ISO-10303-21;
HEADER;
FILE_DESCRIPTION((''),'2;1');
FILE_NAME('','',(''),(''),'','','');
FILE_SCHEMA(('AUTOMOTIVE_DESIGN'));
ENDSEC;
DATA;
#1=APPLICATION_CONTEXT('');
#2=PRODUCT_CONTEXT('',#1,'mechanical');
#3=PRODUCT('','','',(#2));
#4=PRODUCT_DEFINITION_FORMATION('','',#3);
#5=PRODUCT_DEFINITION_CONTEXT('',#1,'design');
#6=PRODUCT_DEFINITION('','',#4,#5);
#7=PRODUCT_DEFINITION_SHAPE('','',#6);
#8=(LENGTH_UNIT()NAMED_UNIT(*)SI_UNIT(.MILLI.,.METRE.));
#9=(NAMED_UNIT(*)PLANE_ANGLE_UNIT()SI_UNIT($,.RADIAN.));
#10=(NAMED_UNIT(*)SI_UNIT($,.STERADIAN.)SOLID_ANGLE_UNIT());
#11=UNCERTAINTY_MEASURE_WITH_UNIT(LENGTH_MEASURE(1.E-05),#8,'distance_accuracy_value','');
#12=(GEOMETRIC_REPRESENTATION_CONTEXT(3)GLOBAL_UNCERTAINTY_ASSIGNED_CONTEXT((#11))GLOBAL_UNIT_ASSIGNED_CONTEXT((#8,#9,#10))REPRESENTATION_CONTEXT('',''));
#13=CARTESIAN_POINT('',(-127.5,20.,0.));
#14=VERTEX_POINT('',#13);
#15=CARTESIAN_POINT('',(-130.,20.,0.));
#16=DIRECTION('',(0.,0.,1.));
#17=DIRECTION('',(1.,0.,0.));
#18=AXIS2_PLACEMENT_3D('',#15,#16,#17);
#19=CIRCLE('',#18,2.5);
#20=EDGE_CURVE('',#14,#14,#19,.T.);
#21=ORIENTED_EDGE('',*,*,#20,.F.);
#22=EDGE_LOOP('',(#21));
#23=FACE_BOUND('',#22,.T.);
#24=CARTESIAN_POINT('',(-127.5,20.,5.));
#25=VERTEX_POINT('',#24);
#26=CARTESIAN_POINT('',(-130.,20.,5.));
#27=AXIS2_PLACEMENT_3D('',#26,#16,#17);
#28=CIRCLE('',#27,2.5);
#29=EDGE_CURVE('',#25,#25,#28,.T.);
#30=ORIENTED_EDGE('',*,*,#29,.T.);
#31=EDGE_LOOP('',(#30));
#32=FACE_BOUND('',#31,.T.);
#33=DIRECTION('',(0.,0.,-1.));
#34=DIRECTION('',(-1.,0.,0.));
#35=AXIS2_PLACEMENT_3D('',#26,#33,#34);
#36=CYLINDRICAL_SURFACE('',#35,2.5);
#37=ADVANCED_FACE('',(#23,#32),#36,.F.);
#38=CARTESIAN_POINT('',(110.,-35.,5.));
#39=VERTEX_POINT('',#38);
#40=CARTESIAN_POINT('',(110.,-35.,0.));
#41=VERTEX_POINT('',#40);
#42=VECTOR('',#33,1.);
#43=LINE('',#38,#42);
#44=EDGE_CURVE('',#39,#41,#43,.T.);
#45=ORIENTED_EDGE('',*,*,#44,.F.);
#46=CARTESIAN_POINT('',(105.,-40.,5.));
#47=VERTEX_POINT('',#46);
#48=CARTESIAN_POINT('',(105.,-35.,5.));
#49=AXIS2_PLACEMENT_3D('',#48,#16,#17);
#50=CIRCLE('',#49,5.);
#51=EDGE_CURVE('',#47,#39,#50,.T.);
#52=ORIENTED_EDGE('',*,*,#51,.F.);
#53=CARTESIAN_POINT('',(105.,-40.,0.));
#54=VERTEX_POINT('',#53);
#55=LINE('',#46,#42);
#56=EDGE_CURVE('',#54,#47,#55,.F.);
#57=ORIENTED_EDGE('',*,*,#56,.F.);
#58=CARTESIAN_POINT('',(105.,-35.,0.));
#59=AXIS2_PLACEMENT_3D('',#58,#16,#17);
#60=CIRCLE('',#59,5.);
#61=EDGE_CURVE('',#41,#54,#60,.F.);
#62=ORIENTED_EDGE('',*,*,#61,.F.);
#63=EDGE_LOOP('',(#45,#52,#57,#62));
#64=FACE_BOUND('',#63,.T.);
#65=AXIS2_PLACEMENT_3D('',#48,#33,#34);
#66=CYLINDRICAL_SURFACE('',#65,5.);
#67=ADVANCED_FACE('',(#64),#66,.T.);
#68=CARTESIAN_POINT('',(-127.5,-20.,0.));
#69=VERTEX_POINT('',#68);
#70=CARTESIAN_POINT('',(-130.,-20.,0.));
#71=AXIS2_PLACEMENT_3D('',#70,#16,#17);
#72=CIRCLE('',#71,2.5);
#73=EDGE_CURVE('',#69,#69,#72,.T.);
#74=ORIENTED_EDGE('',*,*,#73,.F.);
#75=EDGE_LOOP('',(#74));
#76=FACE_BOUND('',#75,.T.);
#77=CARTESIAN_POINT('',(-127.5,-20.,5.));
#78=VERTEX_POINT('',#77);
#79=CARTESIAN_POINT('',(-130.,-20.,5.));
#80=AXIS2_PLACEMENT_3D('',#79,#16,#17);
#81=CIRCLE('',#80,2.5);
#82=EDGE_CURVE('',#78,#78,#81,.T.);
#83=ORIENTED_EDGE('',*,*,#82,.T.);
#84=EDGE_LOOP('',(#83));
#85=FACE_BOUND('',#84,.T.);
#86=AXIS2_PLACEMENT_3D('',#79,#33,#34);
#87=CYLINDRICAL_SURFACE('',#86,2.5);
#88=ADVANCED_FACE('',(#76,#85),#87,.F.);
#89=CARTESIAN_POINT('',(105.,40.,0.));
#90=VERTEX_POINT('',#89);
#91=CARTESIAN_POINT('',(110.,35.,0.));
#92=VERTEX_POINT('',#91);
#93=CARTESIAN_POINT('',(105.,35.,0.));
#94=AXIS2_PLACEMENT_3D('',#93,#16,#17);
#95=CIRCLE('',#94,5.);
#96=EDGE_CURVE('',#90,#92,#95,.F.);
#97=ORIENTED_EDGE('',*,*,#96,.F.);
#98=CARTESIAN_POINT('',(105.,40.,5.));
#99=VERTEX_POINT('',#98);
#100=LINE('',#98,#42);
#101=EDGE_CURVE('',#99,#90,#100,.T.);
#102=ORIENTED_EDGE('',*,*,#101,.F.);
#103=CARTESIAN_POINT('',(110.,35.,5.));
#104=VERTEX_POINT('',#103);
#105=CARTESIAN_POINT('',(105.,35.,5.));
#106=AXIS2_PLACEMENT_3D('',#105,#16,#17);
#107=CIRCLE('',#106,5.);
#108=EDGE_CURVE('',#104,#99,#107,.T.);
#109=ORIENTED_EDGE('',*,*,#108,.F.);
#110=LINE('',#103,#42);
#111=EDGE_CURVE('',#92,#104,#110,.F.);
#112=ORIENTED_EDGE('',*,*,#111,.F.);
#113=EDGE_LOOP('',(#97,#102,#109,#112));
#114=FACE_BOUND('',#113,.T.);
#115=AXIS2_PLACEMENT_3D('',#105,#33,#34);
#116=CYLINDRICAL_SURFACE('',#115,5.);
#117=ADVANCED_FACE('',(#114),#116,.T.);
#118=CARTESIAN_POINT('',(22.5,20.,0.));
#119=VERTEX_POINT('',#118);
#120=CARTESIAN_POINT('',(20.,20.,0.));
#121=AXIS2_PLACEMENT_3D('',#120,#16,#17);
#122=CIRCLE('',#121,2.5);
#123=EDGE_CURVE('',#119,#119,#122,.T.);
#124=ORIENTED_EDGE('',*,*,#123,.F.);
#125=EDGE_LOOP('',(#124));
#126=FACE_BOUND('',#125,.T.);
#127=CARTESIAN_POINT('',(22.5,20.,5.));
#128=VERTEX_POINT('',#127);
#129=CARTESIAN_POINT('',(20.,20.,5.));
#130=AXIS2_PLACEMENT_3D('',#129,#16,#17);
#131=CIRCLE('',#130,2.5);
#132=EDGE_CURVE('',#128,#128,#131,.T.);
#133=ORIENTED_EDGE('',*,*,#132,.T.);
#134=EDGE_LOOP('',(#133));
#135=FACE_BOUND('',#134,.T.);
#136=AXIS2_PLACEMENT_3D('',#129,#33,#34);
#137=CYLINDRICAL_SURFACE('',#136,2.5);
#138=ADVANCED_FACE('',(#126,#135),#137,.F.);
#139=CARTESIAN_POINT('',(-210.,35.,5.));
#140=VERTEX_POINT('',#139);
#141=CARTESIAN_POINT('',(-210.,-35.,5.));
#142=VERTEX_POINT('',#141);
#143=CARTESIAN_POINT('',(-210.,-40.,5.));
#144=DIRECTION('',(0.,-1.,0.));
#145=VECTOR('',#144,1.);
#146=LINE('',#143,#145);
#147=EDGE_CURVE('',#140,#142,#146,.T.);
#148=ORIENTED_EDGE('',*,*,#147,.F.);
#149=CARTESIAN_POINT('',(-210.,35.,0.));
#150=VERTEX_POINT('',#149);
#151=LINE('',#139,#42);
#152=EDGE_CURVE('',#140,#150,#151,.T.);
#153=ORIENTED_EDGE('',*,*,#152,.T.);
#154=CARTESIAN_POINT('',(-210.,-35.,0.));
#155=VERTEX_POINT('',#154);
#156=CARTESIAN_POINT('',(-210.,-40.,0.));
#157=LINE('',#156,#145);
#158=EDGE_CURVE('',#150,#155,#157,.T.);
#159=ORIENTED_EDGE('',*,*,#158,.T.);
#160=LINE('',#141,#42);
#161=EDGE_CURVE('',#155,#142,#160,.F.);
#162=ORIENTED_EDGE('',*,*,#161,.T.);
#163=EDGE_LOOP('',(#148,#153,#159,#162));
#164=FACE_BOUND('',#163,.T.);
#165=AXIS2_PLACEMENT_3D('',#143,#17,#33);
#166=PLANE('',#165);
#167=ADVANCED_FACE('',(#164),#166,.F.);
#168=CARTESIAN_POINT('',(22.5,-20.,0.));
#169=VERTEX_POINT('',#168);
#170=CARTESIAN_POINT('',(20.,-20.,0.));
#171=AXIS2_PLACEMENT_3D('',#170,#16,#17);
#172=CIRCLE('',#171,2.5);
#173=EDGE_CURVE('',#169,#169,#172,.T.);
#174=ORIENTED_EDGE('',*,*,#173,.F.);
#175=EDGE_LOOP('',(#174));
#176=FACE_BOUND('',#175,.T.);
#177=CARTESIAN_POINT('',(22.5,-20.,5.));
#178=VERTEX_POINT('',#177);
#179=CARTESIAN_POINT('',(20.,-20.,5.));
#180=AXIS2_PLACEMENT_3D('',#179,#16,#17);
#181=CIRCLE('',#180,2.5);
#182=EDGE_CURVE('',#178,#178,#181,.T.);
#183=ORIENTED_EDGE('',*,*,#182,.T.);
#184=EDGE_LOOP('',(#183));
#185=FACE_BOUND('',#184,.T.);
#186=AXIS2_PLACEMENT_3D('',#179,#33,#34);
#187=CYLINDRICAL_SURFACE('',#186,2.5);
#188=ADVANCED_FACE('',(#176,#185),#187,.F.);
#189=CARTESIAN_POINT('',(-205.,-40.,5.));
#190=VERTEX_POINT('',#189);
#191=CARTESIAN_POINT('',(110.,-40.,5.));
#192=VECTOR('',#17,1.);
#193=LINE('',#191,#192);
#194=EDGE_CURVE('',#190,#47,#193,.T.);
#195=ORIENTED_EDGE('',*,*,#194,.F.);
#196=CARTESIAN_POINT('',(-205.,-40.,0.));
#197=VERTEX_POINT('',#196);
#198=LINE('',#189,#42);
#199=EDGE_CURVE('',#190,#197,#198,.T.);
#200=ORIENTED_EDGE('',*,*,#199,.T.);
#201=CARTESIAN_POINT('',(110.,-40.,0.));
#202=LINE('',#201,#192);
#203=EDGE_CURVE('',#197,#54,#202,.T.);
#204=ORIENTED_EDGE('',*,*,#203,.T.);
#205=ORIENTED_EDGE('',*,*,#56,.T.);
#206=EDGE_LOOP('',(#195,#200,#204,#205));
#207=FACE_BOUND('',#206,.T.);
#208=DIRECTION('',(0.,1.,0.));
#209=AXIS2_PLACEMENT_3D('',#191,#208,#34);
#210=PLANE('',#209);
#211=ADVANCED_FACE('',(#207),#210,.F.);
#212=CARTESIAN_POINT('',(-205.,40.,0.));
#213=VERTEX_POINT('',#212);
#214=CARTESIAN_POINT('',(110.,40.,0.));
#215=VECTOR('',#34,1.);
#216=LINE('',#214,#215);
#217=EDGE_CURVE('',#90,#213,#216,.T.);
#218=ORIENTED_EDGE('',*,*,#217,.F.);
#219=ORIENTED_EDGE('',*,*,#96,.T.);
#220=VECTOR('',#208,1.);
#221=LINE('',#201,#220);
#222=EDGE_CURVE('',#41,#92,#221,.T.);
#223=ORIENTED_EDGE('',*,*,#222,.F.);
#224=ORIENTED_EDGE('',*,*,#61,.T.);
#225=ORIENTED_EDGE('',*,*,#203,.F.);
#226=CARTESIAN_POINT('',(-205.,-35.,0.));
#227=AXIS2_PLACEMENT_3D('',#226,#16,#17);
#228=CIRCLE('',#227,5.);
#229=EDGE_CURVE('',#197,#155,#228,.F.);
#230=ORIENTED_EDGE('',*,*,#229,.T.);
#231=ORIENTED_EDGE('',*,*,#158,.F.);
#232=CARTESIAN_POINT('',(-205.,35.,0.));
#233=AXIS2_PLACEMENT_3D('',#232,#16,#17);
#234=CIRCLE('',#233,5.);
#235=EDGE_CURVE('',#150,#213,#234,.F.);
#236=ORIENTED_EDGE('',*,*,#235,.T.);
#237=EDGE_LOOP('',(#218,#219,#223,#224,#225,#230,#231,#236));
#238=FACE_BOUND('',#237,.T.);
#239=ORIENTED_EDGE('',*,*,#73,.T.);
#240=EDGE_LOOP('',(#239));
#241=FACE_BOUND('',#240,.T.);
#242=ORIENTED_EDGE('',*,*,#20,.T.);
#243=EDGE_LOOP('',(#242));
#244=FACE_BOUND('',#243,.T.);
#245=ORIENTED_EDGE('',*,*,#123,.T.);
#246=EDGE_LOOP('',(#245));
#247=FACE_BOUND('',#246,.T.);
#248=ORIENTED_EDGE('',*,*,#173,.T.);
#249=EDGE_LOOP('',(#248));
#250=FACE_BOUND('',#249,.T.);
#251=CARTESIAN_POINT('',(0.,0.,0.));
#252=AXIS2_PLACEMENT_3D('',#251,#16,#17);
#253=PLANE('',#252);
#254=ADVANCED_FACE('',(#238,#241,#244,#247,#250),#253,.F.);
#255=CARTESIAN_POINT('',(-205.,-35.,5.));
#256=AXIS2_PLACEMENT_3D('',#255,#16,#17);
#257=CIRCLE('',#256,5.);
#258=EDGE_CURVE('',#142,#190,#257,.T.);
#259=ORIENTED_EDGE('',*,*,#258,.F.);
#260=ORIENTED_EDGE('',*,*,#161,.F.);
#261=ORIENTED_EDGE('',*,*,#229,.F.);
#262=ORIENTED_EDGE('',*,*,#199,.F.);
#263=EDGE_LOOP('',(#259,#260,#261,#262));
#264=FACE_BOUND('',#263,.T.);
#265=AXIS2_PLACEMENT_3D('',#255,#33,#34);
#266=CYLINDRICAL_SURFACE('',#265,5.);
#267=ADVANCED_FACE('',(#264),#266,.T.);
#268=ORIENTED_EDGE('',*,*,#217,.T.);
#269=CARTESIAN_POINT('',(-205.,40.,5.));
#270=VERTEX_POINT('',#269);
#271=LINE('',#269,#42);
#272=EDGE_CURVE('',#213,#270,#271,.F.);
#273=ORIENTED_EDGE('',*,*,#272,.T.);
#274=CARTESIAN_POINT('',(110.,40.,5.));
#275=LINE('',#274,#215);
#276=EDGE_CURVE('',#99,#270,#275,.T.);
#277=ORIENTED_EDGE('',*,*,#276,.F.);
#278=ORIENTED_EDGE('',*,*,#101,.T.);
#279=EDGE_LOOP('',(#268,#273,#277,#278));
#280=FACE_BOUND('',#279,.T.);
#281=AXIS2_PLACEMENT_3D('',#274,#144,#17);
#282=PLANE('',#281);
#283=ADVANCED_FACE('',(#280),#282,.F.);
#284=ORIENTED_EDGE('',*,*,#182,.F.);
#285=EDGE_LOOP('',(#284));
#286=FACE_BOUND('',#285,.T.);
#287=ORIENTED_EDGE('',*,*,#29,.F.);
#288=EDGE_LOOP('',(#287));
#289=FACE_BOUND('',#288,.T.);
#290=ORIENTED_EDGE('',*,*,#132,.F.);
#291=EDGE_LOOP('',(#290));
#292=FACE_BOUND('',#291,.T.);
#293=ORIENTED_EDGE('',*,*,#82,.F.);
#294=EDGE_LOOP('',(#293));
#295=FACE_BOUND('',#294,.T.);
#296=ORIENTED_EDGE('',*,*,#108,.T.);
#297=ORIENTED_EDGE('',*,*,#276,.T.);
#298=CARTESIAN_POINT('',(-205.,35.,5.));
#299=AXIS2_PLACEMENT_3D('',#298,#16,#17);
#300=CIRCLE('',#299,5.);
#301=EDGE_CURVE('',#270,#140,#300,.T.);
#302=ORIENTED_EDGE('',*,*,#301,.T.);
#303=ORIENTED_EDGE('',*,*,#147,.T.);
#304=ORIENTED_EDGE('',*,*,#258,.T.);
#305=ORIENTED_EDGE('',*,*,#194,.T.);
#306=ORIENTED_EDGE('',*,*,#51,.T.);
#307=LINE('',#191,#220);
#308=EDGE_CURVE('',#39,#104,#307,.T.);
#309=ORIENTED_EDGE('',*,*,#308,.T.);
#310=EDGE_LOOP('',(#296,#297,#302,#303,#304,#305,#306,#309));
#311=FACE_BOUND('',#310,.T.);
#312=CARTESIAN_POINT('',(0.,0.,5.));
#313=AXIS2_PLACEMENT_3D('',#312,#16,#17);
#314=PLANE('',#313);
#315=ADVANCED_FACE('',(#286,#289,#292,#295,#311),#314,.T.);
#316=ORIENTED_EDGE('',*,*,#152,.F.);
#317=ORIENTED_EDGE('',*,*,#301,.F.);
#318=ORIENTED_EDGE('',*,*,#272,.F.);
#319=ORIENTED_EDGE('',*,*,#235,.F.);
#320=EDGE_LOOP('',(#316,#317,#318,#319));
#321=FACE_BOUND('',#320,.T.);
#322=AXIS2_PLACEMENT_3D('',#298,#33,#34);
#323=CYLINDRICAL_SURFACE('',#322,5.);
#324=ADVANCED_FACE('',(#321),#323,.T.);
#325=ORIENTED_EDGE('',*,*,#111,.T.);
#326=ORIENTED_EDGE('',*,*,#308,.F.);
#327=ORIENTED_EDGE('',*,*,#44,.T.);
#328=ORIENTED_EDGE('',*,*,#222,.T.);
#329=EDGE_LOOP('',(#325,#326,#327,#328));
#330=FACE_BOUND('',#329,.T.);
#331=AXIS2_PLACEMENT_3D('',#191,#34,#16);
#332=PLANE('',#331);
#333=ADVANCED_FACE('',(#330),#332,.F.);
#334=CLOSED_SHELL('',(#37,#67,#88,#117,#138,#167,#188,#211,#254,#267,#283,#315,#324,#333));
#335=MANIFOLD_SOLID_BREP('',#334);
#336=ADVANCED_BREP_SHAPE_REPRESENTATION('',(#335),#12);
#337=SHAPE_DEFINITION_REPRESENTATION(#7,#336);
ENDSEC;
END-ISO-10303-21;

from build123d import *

# Parameters (mm, degrees)
SKETCH1_W           = 320
SKETCH1_H           = 80
SKETCH1_R           = 2.5
BOSS_EXTRUDE1_DEPTH = 5
FILLET1_R           = 5


with BuildPart() as part:
    # Sketch1 → Boss-Extrude1 (new body)
    with BuildSketch(Plane.XY):
        with Locations((-50, 0)):
            Rectangle(SKETCH1_W, SKETCH1_H)
        with Locations((-130, -20)):
            Circle(SKETCH1_R, mode=Mode.SUBTRACT)
        with Locations((-130, 20)):
            Circle(SKETCH1_R, mode=Mode.SUBTRACT)
        with Locations((20, 20)):
            Circle(SKETCH1_R, mode=Mode.SUBTRACT)
        with Locations((20, -20)):
            Circle(SKETCH1_R, mode=Mode.SUBTRACT)
    extrude(amount=BOSS_EXTRUDE1_DEPTH)

    # Fillet1
    fillet1_edges = [part.edges().sort_by_distance(p)[0] for p in [
        (-210, 40, 2.5),
        (110, 40, 2.5),
        (110, -40, 2.5),
        (-210, -40, 2.5),
    ]]
    fillet(fillet1_edges, radius=FILLET1_R)


solid = part.part
